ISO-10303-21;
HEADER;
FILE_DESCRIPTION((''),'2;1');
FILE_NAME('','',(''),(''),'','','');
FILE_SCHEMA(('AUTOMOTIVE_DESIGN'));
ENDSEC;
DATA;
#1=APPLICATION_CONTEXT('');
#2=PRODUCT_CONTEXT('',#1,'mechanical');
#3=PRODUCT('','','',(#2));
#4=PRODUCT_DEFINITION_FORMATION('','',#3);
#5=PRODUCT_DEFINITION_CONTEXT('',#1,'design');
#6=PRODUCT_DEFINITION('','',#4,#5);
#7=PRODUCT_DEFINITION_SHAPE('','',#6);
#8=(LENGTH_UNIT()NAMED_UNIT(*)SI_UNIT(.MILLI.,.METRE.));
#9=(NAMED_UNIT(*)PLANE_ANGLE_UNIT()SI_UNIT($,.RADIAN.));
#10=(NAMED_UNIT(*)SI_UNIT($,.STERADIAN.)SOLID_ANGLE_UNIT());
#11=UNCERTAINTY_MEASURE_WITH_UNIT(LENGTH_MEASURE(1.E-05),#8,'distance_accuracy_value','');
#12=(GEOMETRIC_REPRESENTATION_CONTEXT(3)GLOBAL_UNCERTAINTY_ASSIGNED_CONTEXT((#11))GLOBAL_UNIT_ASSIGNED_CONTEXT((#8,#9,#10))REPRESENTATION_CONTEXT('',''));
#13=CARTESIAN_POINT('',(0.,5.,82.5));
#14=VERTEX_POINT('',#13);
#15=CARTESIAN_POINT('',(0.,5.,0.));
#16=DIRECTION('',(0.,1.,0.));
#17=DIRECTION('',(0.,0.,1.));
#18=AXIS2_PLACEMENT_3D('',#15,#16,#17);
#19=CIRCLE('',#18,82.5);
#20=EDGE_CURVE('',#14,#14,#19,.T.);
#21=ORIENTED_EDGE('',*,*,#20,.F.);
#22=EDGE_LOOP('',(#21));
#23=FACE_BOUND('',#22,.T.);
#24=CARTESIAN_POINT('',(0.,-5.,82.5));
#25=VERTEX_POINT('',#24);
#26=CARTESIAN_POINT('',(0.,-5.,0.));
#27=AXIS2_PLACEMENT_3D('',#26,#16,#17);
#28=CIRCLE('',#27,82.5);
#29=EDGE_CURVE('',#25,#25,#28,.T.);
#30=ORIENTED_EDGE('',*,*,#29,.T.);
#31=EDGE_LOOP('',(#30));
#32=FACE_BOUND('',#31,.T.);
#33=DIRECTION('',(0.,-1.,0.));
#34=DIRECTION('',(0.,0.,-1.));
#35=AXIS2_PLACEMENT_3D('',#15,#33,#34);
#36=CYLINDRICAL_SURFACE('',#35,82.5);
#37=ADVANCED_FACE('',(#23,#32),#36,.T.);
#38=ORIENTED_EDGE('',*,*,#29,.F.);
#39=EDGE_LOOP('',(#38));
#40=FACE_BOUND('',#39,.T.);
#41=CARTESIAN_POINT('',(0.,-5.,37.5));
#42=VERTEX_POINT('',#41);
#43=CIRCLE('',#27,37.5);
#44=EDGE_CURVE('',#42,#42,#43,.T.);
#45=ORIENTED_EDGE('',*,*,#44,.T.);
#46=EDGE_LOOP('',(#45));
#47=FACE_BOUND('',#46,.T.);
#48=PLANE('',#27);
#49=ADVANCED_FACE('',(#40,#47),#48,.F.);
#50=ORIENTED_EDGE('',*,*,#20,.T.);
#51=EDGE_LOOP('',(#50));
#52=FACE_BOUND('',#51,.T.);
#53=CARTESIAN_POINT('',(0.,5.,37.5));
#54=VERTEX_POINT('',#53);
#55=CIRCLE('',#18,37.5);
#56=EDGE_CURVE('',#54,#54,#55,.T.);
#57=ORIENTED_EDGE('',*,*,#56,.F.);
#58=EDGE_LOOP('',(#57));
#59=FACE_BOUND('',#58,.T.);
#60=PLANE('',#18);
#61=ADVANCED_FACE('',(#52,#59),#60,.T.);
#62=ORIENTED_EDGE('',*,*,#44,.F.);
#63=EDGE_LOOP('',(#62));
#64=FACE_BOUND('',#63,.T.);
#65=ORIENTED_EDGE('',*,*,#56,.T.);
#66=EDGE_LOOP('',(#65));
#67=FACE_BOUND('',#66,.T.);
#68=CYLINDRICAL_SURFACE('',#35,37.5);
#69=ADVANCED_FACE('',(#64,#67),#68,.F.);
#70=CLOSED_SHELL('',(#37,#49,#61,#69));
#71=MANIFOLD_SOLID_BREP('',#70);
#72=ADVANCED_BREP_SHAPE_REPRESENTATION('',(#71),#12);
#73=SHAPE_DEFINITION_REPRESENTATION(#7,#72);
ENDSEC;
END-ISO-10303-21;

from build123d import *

# Parameters (mm, degrees)
SKETCH1_R           = 82.5
SKETCH1_R_2         = 37.5
BOSS_EXTRUDE1_DEPTH = 5


with BuildPart() as part:
    # Sketch1 → Boss-Extrude1 (new body, symmetric)
    with BuildSketch(Plane(origin=(0, 0, 0), x_dir=(1, 0, 0), z_dir=(0, 1, 0))):
        Circle(SKETCH1_R)
        Circle(SKETCH1_R_2, mode=Mode.SUBTRACT)
    extrude(amount=BOSS_EXTRUDE1_DEPTH, both=True)


solid = part.part
